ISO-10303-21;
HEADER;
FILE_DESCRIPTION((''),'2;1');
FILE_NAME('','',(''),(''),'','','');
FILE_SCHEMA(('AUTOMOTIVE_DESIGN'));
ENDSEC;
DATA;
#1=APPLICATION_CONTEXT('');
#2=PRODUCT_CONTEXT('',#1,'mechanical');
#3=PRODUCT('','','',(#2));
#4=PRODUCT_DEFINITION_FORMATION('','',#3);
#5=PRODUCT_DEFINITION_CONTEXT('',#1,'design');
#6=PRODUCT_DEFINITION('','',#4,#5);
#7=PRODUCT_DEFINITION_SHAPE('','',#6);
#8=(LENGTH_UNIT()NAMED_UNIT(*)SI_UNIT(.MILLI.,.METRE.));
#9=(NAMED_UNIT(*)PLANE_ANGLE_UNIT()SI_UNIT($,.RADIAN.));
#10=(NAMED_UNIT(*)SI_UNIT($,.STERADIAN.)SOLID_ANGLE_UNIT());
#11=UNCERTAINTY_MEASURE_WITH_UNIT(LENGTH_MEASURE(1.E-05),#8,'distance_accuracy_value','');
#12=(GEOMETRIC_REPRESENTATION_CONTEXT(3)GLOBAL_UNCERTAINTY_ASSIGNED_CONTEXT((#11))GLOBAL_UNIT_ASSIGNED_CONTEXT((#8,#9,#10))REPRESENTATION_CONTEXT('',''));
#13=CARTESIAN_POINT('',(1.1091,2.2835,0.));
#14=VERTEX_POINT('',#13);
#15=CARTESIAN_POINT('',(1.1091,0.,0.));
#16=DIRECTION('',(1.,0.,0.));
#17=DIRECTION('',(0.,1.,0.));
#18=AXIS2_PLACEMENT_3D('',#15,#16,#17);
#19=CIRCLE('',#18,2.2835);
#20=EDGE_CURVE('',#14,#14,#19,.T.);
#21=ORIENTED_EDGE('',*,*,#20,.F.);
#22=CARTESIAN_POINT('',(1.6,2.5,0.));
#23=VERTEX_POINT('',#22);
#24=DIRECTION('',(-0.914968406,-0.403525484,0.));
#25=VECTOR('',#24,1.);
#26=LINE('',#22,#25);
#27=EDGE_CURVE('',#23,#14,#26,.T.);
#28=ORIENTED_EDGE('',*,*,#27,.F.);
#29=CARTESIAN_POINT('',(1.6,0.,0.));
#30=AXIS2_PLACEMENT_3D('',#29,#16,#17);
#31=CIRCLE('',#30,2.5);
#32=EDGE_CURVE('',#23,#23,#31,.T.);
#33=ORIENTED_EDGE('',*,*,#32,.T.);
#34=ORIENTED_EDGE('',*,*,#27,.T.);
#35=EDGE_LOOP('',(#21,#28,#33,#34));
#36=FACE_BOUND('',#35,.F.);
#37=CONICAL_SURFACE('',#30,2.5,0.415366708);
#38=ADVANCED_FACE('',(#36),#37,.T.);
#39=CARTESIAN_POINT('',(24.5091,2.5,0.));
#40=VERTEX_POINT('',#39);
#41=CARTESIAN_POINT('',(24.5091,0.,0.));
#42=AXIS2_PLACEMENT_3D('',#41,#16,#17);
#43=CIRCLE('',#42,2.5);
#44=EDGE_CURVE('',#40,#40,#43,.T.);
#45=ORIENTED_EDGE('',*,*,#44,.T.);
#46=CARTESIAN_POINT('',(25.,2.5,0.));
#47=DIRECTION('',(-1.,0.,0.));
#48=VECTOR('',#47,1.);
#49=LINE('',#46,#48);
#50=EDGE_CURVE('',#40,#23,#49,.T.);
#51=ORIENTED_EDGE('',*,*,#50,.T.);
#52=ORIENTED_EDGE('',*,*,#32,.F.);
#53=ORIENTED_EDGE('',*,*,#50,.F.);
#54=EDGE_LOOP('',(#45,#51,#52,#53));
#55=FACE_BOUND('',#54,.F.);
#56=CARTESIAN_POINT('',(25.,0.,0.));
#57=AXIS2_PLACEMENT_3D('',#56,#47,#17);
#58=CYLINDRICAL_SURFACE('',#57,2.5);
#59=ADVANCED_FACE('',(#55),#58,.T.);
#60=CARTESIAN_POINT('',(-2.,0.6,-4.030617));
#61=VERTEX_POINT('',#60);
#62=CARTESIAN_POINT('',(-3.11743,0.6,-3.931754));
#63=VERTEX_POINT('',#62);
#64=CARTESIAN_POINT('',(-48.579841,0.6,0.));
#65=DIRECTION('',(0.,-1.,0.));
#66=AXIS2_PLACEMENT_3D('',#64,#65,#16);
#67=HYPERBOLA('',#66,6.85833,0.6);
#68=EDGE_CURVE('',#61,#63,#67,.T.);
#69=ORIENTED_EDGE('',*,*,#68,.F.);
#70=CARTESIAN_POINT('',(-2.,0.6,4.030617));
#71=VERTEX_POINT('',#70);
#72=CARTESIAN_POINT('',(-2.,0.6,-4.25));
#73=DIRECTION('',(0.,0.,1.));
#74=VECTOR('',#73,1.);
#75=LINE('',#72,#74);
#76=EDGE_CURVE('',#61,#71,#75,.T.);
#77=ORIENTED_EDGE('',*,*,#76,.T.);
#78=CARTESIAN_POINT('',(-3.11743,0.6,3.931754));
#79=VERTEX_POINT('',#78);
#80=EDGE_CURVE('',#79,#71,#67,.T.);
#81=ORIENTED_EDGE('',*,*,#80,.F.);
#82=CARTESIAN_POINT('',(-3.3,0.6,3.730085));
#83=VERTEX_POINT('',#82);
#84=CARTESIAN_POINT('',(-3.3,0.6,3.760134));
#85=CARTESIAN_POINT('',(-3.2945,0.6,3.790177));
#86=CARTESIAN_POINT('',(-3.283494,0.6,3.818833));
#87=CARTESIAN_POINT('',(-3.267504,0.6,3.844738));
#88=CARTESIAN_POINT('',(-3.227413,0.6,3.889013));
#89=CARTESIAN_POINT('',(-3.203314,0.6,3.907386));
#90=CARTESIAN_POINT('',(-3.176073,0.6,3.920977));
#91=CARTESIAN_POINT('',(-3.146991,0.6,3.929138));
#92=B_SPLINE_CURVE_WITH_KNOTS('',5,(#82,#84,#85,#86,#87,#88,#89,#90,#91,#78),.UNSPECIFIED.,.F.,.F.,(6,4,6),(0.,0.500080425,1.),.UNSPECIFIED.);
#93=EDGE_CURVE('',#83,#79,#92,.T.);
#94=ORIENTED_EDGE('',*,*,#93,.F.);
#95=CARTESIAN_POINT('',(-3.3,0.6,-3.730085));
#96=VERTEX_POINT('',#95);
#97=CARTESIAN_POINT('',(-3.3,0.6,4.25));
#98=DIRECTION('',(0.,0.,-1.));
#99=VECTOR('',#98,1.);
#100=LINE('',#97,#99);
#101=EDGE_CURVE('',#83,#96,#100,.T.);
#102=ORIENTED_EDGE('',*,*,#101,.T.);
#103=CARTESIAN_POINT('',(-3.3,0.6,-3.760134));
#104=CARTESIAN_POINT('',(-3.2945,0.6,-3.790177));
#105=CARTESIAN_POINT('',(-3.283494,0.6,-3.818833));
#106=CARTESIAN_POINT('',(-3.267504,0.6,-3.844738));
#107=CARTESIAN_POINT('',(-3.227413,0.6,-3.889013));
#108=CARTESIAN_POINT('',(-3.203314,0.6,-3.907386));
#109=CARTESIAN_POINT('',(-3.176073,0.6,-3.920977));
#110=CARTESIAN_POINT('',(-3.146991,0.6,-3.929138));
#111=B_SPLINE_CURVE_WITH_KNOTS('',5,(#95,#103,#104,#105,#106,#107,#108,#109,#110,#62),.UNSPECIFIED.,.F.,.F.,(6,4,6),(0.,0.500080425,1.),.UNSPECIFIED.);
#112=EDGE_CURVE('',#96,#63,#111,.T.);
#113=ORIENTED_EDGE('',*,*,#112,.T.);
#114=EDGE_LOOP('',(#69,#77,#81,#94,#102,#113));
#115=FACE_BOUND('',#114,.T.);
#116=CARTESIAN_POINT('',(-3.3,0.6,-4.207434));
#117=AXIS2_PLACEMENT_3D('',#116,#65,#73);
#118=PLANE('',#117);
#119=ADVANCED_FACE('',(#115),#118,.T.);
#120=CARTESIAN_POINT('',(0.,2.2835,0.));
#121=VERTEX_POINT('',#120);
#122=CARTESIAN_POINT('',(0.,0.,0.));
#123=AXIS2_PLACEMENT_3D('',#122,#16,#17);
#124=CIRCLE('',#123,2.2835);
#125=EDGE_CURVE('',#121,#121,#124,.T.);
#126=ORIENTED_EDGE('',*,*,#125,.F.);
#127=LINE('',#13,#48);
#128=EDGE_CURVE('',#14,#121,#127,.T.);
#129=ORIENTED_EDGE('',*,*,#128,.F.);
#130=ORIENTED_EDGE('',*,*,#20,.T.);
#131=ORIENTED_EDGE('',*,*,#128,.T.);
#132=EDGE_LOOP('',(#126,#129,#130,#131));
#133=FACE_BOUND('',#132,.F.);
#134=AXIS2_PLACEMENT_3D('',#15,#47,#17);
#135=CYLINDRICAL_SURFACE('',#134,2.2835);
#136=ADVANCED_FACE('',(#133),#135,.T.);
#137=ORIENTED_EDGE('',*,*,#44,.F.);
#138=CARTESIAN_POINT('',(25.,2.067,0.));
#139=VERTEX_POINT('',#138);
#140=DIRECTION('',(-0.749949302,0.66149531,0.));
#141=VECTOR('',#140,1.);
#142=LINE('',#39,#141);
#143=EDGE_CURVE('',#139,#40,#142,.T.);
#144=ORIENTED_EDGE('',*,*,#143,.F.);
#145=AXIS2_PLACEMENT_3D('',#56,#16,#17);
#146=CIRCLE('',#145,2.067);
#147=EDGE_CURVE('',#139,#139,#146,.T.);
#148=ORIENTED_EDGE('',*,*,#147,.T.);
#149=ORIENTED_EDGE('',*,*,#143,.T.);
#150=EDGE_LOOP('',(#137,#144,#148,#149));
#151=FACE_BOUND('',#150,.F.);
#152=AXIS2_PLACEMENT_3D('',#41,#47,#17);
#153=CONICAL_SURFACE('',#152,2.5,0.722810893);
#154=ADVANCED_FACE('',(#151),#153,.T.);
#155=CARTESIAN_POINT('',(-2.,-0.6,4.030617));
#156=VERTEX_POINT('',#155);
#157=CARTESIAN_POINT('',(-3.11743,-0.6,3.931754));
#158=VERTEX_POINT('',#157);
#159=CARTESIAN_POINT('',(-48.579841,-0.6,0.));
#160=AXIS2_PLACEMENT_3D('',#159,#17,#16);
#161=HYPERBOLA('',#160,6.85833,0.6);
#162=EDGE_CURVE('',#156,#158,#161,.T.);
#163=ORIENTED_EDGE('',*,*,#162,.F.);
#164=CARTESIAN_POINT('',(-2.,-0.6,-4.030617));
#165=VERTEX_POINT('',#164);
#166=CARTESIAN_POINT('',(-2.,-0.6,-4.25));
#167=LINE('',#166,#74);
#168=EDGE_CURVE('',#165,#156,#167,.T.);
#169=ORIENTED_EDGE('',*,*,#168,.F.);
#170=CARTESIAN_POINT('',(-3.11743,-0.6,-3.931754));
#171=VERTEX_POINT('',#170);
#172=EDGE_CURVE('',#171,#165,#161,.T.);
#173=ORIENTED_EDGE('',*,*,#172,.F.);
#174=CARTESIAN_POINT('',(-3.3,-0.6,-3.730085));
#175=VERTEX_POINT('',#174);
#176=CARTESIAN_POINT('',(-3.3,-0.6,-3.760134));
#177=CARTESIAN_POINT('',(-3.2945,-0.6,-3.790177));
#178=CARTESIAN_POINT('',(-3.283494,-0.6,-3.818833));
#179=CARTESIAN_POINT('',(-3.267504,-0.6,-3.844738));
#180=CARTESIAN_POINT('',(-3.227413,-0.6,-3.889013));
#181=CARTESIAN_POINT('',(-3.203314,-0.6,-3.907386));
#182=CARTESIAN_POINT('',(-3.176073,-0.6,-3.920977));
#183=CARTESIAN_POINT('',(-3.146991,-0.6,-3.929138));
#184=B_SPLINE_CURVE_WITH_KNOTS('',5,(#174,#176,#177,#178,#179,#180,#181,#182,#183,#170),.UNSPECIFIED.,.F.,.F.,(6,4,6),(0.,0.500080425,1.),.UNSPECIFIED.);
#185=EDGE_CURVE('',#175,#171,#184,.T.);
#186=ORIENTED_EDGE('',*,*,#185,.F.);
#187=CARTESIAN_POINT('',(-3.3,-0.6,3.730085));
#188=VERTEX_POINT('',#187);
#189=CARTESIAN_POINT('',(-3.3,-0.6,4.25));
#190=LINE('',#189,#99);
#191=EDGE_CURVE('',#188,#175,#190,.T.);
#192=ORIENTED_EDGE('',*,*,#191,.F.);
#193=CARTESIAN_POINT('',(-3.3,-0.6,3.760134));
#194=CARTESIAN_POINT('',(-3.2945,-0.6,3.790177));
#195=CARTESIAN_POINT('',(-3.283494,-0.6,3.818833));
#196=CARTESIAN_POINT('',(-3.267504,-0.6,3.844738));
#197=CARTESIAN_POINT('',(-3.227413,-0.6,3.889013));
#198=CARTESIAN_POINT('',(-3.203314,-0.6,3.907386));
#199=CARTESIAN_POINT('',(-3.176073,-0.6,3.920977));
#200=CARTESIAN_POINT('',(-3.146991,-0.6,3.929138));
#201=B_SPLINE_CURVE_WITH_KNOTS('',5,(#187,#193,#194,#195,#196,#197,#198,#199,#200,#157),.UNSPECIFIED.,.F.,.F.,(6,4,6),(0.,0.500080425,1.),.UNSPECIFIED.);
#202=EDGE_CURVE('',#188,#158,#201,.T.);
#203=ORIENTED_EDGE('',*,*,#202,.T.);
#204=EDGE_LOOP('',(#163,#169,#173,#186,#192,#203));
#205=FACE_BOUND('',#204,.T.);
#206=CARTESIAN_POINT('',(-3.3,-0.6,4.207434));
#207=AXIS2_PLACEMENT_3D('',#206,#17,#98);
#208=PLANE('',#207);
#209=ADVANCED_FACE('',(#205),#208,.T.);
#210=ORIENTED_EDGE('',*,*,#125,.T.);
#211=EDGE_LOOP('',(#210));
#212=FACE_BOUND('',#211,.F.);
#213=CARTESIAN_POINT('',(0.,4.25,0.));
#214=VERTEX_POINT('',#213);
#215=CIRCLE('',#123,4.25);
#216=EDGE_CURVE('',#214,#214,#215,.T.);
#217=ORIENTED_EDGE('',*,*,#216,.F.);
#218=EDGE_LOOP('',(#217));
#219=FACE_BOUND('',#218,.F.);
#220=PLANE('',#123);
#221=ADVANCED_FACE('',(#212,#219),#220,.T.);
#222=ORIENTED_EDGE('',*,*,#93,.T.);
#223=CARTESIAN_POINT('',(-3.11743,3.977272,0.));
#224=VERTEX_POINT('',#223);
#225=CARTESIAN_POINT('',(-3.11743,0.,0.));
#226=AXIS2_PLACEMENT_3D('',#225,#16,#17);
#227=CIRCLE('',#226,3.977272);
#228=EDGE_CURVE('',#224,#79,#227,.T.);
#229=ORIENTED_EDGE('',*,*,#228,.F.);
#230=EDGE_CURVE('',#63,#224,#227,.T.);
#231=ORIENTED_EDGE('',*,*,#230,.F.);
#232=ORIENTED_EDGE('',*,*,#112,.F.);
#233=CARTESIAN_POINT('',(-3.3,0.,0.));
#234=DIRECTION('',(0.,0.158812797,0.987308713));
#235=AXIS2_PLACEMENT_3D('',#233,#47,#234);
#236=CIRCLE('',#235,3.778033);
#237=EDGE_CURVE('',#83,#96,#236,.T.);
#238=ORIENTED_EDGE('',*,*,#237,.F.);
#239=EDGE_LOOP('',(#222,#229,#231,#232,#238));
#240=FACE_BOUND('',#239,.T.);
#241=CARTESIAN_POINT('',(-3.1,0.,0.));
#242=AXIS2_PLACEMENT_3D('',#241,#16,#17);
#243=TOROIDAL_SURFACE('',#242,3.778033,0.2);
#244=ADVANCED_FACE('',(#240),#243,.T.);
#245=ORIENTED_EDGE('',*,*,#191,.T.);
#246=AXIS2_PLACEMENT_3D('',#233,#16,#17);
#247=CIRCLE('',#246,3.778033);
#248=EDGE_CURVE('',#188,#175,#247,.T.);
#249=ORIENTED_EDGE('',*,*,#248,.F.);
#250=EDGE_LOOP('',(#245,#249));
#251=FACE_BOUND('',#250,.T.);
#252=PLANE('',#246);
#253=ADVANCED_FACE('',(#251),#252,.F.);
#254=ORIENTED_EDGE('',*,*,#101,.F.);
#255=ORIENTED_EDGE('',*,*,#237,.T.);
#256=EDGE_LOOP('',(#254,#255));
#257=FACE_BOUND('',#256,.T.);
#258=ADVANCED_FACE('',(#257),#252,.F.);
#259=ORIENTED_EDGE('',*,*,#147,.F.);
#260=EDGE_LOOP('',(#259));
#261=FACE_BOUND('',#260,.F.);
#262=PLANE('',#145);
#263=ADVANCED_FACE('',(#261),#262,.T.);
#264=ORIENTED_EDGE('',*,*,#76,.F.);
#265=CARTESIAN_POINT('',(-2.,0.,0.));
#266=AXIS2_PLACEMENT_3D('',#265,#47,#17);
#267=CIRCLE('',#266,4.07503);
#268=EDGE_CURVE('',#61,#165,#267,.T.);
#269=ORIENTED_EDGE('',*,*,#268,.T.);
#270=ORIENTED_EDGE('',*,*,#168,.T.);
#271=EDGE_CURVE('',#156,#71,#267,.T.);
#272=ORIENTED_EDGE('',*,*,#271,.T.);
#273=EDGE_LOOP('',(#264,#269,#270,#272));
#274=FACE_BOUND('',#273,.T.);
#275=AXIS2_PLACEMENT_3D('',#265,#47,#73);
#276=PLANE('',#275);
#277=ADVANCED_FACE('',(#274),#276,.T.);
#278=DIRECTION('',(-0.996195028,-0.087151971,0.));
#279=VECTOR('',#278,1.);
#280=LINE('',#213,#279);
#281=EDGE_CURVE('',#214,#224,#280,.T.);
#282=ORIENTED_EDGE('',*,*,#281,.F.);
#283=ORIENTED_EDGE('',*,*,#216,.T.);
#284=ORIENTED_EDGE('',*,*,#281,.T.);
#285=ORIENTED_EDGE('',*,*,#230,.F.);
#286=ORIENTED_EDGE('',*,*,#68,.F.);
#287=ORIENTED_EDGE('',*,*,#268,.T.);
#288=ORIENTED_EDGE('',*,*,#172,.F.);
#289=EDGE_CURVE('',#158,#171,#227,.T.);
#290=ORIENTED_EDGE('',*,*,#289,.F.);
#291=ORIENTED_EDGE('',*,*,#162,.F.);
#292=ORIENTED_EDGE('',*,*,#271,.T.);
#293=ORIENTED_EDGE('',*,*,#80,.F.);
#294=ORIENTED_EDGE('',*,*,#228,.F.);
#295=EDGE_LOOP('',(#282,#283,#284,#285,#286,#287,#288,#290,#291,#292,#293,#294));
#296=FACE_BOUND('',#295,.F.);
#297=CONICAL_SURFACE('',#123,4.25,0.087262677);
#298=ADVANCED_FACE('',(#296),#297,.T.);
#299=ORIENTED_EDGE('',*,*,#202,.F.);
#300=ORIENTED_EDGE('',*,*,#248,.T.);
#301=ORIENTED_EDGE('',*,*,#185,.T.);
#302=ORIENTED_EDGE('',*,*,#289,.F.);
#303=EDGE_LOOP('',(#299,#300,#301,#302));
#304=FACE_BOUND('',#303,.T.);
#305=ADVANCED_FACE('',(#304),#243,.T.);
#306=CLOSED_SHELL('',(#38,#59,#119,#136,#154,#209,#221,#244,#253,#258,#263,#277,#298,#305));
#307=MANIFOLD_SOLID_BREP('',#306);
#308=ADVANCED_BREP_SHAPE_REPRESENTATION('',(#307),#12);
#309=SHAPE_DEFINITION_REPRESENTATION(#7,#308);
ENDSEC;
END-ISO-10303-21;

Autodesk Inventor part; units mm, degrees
ref_plane "YZ Plane" through (0, 0, 0) normal (1, 0, 0) x (0, 1, 0)
ref_plane "XZ Plane" through (0, 0, 0) normal (0, 1, 0) x (-1, 0, 0)
sketch "Sketch1" plane through (0, 0, 0) normal (0, 0, 1) x (1, 0, 0)
  line L0 (-3.3, 0) -> (25, 0)
  line L1 (25, 0) -> (25, 2.5)
  line L2 (25, 2.5) -> (1.6, 2.5)
  line L3 (1.6, 2.5) -> (1.1091, 2.2835)
  line L4 (1.1091, 2.2835) -> (0, 2.2835)
  line L5 (0, 2.2835) -> (0, 4.25)
  line L6 (-8.96, 0) -> (30.66, 0) projected
  line L7 (0, -0.85) -> (0, 5.1) projected
  line L8 (-3.3, 0) -> (-3.3, 3.9613)
  line L9 (0, 4.25) -> (-3.3, 3.9613)
  line L10 (1.6, 2.5) -> (0, 2.5) construction
  dimension "d0" = 25
  dimension "d1" = 23.4
  dimension "d2" = 0.4909
  dimension "d3" = 3.3
  dimension "d4" = 5
  dimension "d5" = 4.567
  dimension "d9" = 8.5
  dimension "d10" = 5
revolve "Body" add sketch "Sketch1" angle 360 about axis through (-3.3, 0, 0) along (1, 0, 0)
sketch "Sketch2" plane through (-3.3, 0, 0) normal (-1, 0, 0) x (0, 0, 1)
  circle A0 centre (0, 0) radius 4.25 projected
  line L0 (0, 0) -> (0, 3.9613) projected
  line L1 (-4.25, 0.6) -> (4.25, 0.6)
  line L2 (4.25, 0.6) -> (4.25, -0.6)
  line L3 (4.25, -0.6) -> (-4.25, -0.6)
  line L4 (-4.25, -0.6) -> (-4.25, 0.6)
  line L5 (-4.25, 0) -> (4.25, 0) construction
  line L6 (0, 0.6) -> (0, -0.6) construction
  point P0 (0, 0)
  dimension "d11" = 1.2
  dimension "d12" = 8.5
fillet "Fillet1" radius 0.2 1 edges at (-3.3, -3.9613, 0)
extrude "Slot" cut sketch "Sketch2" against normal blind 1.3 contours A0 L3 L1 | L2 L3 A0 | A0 L1 L2 | A0 L4 L1 | L3 L4 A0
thread "Thread" size "M5x0.8" class "6g" standard "ISO Metric profile" length 23.4
chamfer "Chamfer1" distance 0.433 distance2 0.4909 1 edges at (25, -2.5, 0) measured on face at (25, 0.6238, 0.5526)
ref_plane "Work Plane1" through (30.1625, 0, 0) normal (0, 0, -1) x (1, 0, 0)
equation "\"d11\" = SBR"
equation "\"d12\" = KOD"
equation "\"d14\" = RR"
equation "\"d19\" = STI"
equation "\"d15\" = GEL"
equation "\"d17\" = -0.5 * SPD + 0.5 * GD"
equation "\"d0\" = NLG"
equation "\"d1\" = GEL"
equation "\"d3\" = KOH"
equation "\"d4\" = GD"
equation "\"d5\" = BDM"
equation "\"d9\" = KOD"
equation "\"d10\" = KEWI"
equation "\"GD\" = 5"
equation "\"NLG\" = 25"
equation "\"GEL\" = 23.4"
equation "\"KOD\" = 8.5"
equation "\"KOH\" = 3.3"
equation "\"GAL\" = 0.61345 * PTC"
equation "\"SPD\" = 4.13397"
equation "\"BDM\" = 4.56699"
equation "\"GUL\" = 0.61345 * PTC"
equation "\"RR\" = 0.2"
equation "\"SBR\" = 1.2"
equation "\"STI\" = 1.3"
equation "\"KEWI\" = 5deg"
equation "\"PTC\" = 0.8"
equation "\"THREADDIA\" = 5"
equation "\"TOA\" = 30deg"
equation "\"NND\" = 5"
equation "\"GD1\" = THREADDIA - 1.2269 * PTC"
properties part number "DIN 84 - M5 x 25" material "Steel, Mild"
